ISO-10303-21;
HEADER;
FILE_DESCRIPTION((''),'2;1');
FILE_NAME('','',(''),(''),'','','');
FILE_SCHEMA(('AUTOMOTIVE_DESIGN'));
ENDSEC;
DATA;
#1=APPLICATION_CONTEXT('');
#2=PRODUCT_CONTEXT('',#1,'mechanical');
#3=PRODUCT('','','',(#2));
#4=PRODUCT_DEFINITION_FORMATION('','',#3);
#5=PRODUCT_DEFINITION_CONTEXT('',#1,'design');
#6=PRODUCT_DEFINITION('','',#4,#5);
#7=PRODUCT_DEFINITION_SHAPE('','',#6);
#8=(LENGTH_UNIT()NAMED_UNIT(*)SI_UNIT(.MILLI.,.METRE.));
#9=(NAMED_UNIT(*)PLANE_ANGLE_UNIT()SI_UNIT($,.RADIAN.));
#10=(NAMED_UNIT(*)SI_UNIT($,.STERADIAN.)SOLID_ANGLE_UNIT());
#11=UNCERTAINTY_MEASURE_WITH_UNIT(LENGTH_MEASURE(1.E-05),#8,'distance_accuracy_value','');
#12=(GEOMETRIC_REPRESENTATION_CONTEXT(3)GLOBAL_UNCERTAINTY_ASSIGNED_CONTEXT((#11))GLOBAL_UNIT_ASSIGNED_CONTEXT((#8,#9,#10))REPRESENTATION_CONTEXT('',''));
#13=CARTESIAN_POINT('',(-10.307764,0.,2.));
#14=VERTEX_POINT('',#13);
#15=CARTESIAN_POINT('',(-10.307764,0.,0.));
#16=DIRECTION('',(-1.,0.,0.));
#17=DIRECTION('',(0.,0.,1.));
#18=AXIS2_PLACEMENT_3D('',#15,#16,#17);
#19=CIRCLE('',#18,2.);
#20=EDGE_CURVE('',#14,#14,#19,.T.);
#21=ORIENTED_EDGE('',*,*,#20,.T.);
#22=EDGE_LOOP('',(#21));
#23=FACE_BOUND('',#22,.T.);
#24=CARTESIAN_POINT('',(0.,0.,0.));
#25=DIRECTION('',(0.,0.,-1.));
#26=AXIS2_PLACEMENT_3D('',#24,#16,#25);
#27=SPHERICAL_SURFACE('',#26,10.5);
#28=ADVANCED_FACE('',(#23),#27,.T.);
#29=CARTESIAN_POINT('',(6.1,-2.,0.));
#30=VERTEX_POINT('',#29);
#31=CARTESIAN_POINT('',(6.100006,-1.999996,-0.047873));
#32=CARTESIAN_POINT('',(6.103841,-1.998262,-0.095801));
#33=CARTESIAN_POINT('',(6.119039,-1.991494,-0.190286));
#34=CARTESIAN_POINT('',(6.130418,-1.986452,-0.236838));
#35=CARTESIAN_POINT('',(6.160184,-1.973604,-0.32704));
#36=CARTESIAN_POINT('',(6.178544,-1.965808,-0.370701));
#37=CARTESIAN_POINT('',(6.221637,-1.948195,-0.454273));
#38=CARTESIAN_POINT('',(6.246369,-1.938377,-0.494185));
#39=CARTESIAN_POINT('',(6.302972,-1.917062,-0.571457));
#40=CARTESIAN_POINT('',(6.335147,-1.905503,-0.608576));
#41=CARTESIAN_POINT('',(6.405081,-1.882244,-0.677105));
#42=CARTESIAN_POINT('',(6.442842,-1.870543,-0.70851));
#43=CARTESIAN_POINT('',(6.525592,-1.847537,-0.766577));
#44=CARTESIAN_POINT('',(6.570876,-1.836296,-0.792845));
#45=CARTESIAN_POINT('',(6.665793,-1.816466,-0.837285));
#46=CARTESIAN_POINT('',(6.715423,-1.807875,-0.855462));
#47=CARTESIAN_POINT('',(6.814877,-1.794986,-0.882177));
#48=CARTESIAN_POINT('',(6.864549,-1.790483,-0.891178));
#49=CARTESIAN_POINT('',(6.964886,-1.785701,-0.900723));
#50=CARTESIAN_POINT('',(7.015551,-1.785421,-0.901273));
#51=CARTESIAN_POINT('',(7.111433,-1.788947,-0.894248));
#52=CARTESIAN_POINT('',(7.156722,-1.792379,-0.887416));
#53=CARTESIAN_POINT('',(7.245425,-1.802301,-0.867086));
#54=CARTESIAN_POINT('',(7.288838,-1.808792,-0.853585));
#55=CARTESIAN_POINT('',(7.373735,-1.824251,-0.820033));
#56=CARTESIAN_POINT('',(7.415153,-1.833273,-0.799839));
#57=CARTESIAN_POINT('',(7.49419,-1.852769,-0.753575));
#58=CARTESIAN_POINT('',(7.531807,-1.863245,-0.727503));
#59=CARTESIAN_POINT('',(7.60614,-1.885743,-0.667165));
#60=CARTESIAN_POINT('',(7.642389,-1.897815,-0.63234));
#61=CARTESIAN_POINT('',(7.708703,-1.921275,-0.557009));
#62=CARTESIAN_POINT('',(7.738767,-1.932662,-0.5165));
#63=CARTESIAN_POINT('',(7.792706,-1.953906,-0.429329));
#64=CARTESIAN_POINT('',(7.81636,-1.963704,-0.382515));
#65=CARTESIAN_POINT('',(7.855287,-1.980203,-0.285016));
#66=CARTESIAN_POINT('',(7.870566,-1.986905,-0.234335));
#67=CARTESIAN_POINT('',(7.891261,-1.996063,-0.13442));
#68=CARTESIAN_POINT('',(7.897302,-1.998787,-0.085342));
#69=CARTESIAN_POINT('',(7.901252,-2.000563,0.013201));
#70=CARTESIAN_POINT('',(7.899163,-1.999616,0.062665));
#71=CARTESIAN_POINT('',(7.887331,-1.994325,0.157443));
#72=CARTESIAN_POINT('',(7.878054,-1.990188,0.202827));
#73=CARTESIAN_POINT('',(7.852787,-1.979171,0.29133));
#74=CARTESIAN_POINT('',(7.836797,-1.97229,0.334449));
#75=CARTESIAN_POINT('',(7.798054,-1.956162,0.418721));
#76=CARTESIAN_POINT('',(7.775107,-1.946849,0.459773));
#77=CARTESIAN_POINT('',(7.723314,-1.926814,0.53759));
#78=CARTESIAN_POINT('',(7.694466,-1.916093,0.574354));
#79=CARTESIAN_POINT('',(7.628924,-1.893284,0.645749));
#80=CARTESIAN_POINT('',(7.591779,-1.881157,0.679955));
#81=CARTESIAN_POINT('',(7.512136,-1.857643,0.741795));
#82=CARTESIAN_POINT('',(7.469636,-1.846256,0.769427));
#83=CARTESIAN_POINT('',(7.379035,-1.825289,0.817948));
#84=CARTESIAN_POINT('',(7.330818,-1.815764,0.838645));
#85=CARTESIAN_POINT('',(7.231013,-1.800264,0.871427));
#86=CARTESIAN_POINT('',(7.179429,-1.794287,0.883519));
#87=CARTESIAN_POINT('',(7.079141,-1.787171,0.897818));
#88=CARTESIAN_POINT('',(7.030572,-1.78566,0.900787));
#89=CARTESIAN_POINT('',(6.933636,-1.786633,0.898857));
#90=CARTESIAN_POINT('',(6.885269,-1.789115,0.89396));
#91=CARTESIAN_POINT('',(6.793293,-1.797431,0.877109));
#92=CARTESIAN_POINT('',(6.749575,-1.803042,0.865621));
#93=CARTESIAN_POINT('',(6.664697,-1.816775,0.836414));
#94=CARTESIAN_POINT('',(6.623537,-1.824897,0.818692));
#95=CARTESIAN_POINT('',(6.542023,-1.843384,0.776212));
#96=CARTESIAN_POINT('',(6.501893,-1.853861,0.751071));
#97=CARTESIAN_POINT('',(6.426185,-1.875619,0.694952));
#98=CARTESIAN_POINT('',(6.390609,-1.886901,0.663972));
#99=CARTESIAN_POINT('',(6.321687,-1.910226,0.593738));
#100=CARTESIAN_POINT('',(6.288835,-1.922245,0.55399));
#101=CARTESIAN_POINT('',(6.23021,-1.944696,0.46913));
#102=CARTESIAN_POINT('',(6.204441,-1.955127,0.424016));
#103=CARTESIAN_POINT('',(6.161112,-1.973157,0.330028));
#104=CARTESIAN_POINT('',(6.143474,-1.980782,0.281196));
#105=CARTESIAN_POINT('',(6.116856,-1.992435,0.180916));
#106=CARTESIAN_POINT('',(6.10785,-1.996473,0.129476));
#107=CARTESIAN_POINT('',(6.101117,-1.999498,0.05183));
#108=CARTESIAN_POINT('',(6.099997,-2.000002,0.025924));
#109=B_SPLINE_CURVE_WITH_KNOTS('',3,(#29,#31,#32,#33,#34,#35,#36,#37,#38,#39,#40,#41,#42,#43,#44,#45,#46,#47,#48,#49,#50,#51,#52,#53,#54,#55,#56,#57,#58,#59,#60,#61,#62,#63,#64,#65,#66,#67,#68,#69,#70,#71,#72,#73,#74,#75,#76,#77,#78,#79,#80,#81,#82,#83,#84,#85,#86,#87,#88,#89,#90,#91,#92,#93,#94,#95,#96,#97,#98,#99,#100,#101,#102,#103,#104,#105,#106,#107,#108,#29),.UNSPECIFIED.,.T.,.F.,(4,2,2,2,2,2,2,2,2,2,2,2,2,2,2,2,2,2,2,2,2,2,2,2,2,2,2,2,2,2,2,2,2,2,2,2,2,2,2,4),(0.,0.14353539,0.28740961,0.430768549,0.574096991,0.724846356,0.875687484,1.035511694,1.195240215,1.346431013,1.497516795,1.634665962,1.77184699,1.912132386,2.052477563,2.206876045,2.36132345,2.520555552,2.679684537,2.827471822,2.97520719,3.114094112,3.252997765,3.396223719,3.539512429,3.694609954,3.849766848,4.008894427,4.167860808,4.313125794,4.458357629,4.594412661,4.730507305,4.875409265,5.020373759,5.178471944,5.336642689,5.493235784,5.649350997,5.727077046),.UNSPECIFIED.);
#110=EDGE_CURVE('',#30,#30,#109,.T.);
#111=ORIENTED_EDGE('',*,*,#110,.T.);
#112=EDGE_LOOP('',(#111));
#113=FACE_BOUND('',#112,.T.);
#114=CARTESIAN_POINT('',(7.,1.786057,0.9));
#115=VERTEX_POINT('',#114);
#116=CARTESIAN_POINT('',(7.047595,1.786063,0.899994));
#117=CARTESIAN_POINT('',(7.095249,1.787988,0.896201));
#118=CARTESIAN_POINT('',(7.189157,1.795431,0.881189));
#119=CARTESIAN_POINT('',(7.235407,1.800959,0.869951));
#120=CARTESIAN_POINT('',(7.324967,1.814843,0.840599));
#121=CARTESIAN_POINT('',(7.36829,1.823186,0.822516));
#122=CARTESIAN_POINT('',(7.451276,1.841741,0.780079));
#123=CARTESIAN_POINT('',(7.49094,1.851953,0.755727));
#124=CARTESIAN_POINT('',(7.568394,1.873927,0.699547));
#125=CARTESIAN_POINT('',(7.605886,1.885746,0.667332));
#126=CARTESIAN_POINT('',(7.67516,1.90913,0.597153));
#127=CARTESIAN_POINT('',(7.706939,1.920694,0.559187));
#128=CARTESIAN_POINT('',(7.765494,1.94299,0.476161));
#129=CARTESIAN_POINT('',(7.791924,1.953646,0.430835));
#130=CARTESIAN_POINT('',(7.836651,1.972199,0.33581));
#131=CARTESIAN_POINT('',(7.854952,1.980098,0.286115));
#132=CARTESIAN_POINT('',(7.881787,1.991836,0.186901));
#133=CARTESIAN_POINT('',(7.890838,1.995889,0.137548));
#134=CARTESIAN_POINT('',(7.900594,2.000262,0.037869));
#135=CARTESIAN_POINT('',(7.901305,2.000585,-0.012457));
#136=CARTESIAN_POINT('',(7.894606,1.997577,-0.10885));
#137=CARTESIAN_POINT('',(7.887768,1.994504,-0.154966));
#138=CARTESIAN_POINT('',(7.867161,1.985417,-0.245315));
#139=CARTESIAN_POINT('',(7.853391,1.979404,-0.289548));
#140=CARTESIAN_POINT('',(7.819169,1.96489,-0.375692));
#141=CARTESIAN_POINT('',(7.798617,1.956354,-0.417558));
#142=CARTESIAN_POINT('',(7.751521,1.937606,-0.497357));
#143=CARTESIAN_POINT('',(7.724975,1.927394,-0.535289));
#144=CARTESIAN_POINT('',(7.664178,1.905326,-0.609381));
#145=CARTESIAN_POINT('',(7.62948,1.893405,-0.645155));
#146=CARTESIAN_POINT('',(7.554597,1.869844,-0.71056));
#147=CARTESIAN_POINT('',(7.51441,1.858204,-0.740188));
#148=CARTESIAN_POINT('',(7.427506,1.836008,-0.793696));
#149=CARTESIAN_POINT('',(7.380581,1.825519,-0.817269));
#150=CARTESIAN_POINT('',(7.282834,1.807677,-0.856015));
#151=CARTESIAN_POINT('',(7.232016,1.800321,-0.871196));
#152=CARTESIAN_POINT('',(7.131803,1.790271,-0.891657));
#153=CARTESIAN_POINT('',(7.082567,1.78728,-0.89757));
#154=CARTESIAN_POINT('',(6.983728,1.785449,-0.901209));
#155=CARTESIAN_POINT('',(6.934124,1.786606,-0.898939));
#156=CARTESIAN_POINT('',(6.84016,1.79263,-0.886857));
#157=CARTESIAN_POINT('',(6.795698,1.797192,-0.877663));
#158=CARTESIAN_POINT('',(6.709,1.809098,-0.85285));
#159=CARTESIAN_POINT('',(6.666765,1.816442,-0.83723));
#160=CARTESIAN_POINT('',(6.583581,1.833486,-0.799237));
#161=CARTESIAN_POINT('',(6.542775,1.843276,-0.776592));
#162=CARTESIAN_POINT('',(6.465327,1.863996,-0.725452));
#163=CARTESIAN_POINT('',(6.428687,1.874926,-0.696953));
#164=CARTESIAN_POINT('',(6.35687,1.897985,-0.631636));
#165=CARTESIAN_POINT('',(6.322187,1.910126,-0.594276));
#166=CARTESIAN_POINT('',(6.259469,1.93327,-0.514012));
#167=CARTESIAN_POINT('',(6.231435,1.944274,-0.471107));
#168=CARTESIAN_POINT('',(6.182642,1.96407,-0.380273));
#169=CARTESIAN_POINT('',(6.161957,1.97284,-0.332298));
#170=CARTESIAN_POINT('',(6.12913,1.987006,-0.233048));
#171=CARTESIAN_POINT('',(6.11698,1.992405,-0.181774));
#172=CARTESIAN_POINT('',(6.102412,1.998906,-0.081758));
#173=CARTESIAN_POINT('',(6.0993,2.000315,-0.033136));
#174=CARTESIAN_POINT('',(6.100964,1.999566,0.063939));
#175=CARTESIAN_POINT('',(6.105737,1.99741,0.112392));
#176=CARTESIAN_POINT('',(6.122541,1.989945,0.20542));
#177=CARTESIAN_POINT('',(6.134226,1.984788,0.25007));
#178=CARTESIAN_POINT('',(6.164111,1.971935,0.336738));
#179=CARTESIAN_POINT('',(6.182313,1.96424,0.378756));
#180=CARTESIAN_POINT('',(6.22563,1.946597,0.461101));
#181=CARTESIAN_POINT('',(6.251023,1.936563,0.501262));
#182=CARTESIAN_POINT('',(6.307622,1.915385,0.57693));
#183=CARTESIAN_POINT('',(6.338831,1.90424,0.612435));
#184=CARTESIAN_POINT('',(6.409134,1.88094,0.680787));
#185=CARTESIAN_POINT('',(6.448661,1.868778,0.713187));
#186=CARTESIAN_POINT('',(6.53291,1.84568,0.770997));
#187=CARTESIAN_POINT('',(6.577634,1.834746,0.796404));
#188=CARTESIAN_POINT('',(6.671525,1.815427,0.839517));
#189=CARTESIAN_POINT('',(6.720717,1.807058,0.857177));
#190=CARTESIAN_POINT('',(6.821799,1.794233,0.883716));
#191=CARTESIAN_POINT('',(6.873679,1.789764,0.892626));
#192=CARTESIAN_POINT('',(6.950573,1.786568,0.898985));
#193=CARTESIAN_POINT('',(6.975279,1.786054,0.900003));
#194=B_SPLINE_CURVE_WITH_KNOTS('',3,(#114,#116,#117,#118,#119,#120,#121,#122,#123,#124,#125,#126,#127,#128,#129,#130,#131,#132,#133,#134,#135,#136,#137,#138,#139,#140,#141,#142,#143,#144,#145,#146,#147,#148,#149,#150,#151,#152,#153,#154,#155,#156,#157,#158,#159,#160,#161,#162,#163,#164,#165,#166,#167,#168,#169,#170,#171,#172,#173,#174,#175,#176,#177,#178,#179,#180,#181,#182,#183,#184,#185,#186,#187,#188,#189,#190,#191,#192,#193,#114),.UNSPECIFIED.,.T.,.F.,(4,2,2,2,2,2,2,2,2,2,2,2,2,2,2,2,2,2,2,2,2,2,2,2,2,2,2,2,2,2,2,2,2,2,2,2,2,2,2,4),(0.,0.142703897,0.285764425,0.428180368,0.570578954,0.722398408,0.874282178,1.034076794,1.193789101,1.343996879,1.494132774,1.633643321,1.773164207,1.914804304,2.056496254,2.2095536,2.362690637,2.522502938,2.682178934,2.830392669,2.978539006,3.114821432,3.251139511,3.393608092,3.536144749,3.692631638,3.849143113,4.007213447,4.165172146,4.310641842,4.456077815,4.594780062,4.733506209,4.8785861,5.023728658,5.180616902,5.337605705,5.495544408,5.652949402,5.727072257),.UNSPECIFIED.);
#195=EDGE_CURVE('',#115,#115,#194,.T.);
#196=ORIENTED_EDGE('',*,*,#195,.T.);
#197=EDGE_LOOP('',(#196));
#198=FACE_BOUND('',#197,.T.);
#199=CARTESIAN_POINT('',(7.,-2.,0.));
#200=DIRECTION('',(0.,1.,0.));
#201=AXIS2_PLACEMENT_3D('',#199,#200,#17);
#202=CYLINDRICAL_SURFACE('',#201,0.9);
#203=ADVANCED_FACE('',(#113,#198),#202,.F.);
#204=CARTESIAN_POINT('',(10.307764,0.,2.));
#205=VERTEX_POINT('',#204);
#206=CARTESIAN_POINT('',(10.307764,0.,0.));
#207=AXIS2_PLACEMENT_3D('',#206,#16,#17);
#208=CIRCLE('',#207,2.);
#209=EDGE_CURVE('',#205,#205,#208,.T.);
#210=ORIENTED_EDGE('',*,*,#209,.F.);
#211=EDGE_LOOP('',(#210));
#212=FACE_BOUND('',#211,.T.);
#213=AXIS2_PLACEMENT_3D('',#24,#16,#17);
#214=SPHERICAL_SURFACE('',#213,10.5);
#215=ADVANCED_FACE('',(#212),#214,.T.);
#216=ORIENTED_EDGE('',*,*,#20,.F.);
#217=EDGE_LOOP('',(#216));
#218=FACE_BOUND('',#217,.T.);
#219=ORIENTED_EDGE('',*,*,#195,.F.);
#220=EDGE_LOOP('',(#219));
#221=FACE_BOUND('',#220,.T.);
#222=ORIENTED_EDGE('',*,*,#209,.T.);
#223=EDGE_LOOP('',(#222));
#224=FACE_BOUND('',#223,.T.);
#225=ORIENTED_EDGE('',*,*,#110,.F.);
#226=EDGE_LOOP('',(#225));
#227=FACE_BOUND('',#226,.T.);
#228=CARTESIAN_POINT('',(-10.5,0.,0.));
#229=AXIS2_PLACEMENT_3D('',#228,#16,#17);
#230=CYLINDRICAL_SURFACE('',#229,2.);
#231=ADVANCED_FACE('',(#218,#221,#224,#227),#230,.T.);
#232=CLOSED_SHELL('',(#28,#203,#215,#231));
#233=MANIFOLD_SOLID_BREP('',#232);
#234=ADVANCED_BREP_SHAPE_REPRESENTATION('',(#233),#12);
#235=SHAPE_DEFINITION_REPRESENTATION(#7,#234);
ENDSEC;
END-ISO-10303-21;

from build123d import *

# Parameters (mm, degrees)
TAGLIO_ESTRUSIONE2_DEPTH      = 11.874281585
TAGLIO_ESTRUSIONE2_DEPTH_BACK = 11.874281585
SCHIZZO3_R                    = 0.9


with BuildPart() as part:
    # Schizzo2 → Rivoluzione1 (revolve)
    with BuildSketch(Plane(origin=(0, 0, 0), x_dir=(1, 0, 0), z_dir=(0, 1, 0))):
        with BuildLine():
            Line((10.5, 0), (-10.5, 0))
            ThreePointArc((-10.5, 0), (-10.451830526, -1.004608712), (-10.307764064, -2))
            Line((-10.307764064, -2), (10.307764064, -2))
            ThreePointArc((10.307764064, -2), (10.451830526, -1.004608712), (10.5, 0))
        make_face()
    revolve(axis=Axis((-10.5, 0, 0), (1, 0, 0)))

    # Schizzo3 → Taglio-Estrusione2 (cut, two sides: drawn at the far end of the back side and taken through both)
    with BuildSketch(Plane(origin=(0, 0, 0), x_dir=(1, 0, 0), z_dir=(0, 1, 0)).offset(-TAGLIO_ESTRUSIONE2_DEPTH_BACK)):
        with Locations(Location((7, 0, 0), (0, 0, 270))):
            Circle(SCHIZZO3_R)
    extrude(amount=TAGLIO_ESTRUSIONE2_DEPTH + TAGLIO_ESTRUSIONE2_DEPTH_BACK, mode=Mode.SUBTRACT)


solid = part.part
